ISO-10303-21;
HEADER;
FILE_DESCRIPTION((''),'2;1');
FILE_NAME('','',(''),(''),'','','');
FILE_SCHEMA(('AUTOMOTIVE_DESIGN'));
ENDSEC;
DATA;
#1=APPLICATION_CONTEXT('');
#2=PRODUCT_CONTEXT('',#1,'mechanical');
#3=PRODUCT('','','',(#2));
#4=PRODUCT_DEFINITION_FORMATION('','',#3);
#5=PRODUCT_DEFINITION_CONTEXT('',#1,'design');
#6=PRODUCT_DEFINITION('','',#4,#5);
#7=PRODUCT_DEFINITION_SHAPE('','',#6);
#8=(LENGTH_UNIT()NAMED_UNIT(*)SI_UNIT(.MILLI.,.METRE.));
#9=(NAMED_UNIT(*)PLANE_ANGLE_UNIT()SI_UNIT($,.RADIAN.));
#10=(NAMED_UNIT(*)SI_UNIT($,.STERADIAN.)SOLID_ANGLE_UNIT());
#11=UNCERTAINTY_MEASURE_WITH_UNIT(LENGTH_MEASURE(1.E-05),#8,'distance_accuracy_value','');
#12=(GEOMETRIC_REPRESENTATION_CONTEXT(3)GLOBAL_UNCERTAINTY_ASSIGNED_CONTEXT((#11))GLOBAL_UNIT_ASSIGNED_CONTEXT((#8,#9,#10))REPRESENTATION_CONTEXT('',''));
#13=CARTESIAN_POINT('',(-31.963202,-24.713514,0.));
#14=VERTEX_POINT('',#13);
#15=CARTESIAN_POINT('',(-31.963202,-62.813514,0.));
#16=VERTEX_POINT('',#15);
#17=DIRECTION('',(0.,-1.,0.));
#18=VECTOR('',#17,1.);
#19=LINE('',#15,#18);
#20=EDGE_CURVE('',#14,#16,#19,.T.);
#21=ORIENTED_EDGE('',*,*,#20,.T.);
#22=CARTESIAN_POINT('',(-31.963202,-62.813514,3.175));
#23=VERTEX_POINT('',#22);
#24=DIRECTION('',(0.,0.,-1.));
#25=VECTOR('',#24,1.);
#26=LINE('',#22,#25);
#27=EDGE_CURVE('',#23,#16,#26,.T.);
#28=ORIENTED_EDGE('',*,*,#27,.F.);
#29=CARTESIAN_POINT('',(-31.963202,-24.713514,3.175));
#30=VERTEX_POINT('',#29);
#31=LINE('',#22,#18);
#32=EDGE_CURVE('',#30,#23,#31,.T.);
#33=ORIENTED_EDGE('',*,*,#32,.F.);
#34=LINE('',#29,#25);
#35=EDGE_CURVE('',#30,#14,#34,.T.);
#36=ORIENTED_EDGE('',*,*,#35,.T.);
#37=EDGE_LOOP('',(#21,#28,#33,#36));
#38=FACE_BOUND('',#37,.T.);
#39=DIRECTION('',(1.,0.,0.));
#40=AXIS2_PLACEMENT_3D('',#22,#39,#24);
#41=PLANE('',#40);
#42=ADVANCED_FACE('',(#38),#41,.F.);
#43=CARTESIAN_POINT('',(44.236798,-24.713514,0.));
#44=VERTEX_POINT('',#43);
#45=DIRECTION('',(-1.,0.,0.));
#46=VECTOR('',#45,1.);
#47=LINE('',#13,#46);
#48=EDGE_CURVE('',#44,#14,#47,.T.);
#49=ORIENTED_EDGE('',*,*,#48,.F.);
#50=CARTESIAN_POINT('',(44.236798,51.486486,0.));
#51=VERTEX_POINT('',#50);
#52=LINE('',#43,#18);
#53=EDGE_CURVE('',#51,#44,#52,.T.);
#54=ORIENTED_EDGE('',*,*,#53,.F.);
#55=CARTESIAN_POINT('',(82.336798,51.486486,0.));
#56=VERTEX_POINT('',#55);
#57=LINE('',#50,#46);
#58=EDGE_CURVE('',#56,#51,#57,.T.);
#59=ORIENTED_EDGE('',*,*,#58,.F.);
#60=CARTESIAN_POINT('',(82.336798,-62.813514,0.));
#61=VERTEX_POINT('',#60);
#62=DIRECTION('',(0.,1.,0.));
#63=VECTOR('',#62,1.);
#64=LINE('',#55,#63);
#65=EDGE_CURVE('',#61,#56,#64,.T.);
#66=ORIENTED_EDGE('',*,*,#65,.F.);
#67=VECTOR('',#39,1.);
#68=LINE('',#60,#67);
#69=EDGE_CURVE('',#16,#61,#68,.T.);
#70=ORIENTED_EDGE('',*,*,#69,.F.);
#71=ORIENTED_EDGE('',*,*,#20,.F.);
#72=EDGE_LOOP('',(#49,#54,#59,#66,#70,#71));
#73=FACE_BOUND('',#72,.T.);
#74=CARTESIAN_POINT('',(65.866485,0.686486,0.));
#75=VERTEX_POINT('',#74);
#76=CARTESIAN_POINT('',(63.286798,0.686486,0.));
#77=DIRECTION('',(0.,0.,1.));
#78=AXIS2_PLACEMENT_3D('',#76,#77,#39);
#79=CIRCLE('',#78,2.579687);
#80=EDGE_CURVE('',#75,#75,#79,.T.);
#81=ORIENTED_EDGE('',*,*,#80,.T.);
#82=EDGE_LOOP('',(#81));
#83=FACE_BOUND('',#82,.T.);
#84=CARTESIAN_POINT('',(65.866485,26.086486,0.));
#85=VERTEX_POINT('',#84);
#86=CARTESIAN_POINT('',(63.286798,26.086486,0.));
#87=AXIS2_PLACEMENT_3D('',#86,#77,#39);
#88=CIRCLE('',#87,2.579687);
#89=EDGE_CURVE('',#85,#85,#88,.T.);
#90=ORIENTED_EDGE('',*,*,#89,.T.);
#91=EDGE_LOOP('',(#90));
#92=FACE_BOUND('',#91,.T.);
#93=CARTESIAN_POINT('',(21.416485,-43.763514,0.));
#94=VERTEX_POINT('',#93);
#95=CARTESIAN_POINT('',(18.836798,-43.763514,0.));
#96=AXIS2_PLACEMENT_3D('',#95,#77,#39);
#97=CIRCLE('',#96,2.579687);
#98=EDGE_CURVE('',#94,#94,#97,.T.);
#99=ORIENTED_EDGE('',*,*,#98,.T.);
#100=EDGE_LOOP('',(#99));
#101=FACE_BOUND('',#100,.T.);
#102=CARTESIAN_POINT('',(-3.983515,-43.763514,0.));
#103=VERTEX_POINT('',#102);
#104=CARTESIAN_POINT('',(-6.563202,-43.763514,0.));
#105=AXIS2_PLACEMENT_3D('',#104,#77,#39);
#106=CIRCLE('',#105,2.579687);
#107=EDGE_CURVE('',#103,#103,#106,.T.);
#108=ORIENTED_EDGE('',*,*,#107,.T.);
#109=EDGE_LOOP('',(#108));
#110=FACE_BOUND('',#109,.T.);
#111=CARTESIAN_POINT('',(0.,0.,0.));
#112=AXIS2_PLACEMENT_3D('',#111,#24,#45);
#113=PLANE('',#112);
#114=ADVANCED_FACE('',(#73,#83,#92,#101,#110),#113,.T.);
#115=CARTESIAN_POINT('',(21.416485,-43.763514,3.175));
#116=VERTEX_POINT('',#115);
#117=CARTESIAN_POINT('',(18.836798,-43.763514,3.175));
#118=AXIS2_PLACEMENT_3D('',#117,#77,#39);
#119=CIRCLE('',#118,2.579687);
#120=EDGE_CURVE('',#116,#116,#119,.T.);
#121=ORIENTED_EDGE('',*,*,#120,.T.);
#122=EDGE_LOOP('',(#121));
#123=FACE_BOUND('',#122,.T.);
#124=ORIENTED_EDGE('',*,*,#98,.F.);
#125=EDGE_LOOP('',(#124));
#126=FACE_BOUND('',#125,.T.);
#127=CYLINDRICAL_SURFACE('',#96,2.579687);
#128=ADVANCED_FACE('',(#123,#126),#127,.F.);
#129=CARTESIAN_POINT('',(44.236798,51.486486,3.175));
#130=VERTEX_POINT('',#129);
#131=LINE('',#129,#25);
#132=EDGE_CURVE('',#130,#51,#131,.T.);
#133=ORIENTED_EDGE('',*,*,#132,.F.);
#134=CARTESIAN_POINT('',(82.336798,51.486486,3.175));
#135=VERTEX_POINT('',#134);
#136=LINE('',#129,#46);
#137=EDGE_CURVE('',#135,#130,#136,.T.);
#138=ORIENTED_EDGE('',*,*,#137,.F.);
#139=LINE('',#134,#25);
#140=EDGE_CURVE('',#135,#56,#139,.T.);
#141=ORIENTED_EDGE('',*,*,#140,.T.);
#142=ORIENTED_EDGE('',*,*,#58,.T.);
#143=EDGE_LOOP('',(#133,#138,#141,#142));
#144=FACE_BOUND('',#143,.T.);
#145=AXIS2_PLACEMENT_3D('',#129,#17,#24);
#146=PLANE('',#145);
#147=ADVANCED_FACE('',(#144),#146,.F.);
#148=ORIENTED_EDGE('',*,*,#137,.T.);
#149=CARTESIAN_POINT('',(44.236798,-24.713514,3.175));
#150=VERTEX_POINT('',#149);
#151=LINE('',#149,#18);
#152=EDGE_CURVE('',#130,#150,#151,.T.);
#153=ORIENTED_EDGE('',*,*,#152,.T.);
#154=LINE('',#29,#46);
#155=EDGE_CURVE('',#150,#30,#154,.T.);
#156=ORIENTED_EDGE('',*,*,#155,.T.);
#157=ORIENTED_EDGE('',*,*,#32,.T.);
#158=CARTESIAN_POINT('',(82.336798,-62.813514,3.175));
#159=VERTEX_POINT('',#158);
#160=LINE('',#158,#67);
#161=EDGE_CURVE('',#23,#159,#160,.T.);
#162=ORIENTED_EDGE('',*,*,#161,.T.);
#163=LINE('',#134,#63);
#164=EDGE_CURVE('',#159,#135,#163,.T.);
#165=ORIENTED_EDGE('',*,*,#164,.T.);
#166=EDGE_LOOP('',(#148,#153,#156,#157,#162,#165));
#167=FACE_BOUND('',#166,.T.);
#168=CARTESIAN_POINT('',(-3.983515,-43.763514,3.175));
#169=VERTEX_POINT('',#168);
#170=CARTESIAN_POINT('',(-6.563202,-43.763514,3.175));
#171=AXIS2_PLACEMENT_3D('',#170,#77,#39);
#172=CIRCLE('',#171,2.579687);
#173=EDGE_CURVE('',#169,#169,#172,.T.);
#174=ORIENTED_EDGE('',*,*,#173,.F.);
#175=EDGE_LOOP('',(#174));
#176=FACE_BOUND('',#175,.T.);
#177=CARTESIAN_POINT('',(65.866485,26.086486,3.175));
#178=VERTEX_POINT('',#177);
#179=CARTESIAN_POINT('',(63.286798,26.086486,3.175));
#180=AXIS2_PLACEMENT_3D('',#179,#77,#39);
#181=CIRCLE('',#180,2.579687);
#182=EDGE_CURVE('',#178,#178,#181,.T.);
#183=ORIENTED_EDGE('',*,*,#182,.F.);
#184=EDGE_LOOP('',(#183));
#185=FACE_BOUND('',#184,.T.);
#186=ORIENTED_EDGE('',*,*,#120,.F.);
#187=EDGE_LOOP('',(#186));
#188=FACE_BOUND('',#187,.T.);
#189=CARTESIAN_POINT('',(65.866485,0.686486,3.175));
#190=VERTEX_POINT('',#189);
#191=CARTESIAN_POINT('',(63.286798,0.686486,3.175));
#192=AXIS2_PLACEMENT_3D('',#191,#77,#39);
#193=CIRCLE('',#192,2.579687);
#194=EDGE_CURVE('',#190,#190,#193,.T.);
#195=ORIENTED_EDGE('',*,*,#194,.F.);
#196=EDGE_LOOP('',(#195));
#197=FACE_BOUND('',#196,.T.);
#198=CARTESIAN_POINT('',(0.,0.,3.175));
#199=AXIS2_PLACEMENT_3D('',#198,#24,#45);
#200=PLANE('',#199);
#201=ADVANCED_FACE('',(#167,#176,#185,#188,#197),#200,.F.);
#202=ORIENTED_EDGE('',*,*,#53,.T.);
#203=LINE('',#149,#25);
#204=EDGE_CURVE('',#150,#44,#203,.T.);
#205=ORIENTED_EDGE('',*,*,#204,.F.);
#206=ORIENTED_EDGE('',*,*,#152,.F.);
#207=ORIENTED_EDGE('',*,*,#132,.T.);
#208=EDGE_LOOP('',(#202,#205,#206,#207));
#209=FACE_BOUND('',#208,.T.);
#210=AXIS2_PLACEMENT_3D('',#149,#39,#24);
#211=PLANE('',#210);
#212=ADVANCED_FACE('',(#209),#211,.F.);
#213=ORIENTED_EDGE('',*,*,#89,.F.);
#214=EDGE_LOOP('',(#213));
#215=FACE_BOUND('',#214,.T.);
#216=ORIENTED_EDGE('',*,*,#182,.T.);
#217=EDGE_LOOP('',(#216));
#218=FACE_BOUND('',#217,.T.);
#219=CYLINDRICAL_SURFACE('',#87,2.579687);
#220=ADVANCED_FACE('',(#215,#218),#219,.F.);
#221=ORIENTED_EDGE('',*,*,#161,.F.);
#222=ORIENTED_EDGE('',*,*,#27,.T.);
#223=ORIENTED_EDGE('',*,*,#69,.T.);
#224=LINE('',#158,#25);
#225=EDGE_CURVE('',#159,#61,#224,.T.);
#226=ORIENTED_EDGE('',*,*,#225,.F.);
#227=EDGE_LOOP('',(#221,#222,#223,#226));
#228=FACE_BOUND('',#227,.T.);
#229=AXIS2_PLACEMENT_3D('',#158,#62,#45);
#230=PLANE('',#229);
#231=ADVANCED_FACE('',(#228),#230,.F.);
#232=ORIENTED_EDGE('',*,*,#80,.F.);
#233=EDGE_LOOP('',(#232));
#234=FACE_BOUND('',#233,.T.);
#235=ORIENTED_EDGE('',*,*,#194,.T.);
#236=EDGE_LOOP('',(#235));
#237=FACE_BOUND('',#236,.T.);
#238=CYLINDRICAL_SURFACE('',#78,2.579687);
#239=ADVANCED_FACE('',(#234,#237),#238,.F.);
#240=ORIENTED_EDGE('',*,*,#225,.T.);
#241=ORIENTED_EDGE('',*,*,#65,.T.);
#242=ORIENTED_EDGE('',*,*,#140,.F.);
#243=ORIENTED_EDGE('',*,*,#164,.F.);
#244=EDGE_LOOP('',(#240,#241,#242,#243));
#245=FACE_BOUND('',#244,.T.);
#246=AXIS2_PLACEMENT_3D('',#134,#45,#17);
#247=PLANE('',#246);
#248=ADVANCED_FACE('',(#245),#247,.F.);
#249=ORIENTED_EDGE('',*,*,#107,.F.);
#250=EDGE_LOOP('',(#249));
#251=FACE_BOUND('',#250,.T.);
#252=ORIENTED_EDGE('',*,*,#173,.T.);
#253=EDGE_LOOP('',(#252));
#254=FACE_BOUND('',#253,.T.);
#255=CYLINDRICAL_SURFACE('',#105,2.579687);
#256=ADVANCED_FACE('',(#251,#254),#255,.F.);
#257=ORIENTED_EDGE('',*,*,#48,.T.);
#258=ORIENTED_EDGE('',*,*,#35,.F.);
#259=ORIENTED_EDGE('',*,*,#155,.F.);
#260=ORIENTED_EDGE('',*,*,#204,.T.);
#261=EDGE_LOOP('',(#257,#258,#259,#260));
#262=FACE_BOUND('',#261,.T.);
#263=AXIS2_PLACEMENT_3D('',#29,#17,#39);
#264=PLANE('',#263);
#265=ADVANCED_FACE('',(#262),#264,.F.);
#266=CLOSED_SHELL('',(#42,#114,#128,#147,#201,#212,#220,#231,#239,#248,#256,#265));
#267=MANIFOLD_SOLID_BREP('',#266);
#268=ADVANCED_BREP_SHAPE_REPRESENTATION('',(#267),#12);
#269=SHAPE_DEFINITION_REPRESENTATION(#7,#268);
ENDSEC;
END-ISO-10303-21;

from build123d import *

# Parameters (mm, degrees)
BOSS_EXTRUDE1_DEPTH = 3.175
SKETCH2_R           = 2.5796875
CUT_EXTRUDE1_DEPTH  = 3.175


with BuildPart() as part:
    # Sketch1 → Boss-Extrude1 (new body)
    with BuildSketch(Plane.XY):
        Polygon((44.236797843, 51.486486486), (82.336797843, 51.486486486), (82.336797843, -62.813513514), (-31.963202157, -62.813513514), (-31.963202157, -24.713513514), (44.236797843, -24.713513514), align=None)
    extrude(amount=BOSS_EXTRUDE1_DEPTH)

    # Sketch2 → Cut-Extrude1 (cut)
    with BuildSketch(Plane.XY.offset(3.175)):
        with Locations((63.286797843, 26.086486486)):
            Circle(SKETCH2_R)
        with Locations((63.286797843, 0.686486486)):
            Circle(SKETCH2_R)
        with Locations((-6.563202157, -43.763513514)):
            Circle(SKETCH2_R)
        with Locations((18.836797843, -43.763513514)):
            Circle(SKETCH2_R)
    extrude(amount=-CUT_EXTRUDE1_DEPTH, mode=Mode.SUBTRACT)


solid = part.part
